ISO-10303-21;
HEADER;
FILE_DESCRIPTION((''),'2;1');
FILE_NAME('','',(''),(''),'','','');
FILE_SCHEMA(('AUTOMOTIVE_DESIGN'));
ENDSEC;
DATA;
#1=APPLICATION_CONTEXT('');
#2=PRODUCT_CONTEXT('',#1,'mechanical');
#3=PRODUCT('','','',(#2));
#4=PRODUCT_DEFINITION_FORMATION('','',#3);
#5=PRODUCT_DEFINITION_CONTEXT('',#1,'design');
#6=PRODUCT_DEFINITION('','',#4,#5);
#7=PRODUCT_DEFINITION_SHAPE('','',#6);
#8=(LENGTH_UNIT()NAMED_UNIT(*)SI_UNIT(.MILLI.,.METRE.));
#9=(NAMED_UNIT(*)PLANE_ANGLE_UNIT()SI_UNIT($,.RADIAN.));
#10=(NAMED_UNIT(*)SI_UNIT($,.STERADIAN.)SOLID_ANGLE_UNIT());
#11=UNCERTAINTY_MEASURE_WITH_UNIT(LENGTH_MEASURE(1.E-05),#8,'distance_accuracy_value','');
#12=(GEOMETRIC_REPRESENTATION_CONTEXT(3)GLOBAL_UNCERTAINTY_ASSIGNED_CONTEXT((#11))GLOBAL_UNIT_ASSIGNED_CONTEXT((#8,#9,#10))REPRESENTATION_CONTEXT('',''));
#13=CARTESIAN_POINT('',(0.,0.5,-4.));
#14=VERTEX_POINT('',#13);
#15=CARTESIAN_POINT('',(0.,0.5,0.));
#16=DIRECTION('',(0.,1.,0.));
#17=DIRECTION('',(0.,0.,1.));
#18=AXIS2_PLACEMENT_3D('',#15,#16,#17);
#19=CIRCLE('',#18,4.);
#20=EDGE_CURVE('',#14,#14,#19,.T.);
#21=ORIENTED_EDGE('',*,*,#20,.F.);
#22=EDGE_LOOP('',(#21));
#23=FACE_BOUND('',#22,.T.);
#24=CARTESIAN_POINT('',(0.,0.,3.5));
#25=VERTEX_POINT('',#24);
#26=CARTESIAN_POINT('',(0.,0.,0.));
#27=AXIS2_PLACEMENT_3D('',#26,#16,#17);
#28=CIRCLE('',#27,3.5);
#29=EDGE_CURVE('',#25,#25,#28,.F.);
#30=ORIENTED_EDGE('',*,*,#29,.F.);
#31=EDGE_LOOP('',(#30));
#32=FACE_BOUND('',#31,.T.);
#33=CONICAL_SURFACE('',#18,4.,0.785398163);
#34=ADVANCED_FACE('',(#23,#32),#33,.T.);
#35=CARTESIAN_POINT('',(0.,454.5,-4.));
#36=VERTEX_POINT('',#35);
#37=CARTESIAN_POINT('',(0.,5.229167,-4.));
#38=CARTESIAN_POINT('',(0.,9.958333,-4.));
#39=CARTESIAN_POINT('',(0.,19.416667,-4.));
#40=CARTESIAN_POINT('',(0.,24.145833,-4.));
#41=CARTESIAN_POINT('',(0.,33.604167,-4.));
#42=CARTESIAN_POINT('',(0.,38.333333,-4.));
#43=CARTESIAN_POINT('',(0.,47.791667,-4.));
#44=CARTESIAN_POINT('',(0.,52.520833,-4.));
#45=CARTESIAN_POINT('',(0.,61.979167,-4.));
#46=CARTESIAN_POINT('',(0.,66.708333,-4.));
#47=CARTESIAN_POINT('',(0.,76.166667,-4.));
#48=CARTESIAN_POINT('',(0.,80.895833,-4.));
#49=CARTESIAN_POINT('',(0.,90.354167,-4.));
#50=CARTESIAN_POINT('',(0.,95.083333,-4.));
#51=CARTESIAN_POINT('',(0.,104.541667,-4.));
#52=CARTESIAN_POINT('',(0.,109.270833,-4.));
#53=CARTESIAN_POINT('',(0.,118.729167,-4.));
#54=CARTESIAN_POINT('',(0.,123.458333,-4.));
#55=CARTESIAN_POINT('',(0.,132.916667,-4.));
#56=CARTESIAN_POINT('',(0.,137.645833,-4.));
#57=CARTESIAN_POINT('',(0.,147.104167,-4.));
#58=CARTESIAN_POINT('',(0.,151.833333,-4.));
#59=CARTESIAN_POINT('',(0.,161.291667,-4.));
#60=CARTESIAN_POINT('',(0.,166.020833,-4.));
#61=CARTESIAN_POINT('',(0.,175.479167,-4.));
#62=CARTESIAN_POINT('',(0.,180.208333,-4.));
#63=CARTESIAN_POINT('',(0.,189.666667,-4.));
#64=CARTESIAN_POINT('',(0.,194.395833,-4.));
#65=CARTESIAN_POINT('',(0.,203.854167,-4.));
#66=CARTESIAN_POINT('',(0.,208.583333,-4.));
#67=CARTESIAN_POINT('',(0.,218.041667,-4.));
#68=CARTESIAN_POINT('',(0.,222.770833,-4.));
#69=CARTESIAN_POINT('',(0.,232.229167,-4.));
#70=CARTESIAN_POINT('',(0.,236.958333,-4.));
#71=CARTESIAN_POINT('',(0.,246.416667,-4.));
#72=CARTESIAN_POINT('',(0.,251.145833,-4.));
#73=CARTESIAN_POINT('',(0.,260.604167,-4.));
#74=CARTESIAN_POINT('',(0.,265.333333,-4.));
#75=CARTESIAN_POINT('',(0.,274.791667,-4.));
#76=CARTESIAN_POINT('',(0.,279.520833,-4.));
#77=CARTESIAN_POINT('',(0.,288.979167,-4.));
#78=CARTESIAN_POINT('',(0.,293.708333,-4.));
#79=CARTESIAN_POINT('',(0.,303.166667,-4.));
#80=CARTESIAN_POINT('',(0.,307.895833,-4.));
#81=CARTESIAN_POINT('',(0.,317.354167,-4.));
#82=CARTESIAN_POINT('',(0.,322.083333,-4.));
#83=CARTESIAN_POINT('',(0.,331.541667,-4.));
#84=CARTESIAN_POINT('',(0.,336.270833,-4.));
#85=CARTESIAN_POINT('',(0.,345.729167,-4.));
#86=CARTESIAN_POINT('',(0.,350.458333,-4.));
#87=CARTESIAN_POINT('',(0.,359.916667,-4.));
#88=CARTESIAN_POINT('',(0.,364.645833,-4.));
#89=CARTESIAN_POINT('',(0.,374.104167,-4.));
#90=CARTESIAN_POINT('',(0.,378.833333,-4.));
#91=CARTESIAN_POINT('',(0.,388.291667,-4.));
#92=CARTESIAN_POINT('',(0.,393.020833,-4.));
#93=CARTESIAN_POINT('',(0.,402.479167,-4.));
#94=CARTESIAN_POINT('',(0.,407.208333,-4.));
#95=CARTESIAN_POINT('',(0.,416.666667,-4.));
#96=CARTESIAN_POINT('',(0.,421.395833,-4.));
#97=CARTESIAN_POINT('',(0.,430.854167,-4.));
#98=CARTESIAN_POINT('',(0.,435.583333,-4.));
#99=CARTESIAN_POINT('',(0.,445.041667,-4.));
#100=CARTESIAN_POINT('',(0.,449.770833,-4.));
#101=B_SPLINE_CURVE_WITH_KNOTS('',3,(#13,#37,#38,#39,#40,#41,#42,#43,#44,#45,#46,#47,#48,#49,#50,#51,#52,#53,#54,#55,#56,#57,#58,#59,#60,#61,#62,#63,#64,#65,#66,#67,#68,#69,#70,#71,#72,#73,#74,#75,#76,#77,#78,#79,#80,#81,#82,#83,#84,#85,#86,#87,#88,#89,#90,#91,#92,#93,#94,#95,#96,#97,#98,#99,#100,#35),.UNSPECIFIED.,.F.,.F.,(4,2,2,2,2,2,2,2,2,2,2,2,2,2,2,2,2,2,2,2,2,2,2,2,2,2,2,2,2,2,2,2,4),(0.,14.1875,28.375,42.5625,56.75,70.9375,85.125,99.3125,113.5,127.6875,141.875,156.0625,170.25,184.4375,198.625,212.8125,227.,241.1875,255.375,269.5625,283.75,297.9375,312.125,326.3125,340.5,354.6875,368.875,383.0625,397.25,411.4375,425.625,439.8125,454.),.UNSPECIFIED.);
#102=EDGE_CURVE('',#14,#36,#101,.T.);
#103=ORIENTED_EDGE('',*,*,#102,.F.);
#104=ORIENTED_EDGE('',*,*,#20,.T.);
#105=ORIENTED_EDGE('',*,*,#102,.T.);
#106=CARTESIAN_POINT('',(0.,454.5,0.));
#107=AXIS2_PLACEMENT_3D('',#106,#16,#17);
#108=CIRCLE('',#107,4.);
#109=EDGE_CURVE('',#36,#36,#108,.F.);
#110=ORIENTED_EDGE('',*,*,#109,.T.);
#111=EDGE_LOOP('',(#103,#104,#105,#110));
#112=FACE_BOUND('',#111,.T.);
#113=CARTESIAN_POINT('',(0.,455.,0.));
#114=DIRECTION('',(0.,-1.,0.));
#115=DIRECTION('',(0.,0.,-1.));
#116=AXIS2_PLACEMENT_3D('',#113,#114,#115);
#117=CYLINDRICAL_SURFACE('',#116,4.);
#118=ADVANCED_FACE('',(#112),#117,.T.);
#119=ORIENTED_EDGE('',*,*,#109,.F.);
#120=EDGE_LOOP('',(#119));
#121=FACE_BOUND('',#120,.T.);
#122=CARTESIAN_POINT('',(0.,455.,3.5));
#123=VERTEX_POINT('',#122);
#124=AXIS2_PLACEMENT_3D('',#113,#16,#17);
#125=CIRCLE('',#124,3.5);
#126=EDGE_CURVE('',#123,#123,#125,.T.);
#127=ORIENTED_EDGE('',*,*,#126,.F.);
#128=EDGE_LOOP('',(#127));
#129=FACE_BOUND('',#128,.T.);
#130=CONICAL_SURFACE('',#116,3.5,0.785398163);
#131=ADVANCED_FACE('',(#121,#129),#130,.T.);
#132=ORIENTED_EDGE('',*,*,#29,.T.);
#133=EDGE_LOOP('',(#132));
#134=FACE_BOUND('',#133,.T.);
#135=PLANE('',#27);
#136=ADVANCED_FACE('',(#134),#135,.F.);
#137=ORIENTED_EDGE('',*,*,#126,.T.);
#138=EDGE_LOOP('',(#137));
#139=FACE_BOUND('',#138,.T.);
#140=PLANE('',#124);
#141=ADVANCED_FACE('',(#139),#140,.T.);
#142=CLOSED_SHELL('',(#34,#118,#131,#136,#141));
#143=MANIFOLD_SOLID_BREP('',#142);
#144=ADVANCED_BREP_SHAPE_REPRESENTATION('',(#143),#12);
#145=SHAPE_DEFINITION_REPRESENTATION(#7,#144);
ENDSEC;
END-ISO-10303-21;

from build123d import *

# Parameters (mm, degrees)
CROQUIS1_R              = 4
SALIENTE_EXTRUIR1_DEPTH = 455
CHAFL_N1_SIZE           = 0.5


with BuildPart() as part:
    # Croquis1 → Saliente-Extruir1 (new body)
    with BuildSketch(Plane(origin=(0, 0, 0), x_dir=(1, 0, 0), z_dir=(0, 1, 0))):
        with Locations(Location((0, 0, 0), (0, 0, 90))):
            Circle(CROQUIS1_R)
    extrude(amount=SALIENTE_EXTRUIR1_DEPTH)

    # Chaflán1
    chafl_n1_edges = [part.edges().sort_by_distance(p)[0] for p in [
        (0, 0, 4),
        (0, 455, 4),
    ]]
    chamfer(chafl_n1_edges, length=CHAFL_N1_SIZE)


solid = part.part
